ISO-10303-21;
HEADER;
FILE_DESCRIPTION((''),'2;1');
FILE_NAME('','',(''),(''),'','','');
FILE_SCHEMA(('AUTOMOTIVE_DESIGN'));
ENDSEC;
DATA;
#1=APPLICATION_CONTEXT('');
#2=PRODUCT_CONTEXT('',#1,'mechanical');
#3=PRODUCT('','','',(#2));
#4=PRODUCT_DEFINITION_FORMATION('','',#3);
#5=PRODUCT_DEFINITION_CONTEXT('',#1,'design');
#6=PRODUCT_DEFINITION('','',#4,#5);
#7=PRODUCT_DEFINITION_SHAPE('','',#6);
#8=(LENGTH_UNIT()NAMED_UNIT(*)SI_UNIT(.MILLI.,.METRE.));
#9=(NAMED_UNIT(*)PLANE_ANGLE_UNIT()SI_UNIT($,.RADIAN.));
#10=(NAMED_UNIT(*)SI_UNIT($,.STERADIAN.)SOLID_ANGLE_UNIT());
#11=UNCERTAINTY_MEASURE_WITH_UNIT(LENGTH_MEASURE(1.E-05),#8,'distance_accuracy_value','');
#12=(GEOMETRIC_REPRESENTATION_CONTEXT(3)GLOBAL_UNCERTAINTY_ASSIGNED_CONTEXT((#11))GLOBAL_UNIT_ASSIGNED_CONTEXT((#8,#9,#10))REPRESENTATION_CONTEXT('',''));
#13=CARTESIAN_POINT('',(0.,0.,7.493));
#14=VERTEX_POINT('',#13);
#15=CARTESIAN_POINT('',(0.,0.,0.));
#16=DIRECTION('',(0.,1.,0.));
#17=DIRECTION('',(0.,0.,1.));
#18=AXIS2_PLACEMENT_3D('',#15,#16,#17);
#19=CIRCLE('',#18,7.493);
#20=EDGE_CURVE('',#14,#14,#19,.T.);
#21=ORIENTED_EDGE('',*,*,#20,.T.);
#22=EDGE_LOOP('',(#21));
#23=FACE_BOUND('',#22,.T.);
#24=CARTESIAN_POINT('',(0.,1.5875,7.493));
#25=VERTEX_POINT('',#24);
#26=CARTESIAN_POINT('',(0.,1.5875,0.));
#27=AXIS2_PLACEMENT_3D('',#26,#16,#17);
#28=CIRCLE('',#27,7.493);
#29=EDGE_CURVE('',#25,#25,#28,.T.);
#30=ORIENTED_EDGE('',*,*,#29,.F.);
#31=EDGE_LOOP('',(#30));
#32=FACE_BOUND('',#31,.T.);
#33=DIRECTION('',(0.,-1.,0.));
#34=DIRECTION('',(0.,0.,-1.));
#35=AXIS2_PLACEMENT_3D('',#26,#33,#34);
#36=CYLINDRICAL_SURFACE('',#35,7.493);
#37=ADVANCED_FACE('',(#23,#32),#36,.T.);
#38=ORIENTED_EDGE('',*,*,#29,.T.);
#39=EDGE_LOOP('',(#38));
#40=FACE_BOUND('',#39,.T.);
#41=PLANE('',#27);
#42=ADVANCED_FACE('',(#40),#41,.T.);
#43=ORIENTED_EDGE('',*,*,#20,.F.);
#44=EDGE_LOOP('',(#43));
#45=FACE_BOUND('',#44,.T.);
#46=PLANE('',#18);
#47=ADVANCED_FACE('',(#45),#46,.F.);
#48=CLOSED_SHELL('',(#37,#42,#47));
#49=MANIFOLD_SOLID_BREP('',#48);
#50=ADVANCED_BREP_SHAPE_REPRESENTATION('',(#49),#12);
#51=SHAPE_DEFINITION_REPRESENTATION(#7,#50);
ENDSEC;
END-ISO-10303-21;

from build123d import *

# Parameters (mm, degrees)
SKETCH1_R      = 7.493
EXTRUDE1_DEPTH = 1.5875


with BuildPart() as part:
    # Sketch1 → Extrude1 (new body)
    with BuildSketch(Plane(origin=(0, 0, 0), x_dir=(1, 0, 0), z_dir=(0, 1, 0))):
        with Locations(Location((0, 0, 0), (0, 0, 270))):
            Circle(SKETCH1_R)
    extrude(amount=EXTRUDE1_DEPTH)


solid = part.part
